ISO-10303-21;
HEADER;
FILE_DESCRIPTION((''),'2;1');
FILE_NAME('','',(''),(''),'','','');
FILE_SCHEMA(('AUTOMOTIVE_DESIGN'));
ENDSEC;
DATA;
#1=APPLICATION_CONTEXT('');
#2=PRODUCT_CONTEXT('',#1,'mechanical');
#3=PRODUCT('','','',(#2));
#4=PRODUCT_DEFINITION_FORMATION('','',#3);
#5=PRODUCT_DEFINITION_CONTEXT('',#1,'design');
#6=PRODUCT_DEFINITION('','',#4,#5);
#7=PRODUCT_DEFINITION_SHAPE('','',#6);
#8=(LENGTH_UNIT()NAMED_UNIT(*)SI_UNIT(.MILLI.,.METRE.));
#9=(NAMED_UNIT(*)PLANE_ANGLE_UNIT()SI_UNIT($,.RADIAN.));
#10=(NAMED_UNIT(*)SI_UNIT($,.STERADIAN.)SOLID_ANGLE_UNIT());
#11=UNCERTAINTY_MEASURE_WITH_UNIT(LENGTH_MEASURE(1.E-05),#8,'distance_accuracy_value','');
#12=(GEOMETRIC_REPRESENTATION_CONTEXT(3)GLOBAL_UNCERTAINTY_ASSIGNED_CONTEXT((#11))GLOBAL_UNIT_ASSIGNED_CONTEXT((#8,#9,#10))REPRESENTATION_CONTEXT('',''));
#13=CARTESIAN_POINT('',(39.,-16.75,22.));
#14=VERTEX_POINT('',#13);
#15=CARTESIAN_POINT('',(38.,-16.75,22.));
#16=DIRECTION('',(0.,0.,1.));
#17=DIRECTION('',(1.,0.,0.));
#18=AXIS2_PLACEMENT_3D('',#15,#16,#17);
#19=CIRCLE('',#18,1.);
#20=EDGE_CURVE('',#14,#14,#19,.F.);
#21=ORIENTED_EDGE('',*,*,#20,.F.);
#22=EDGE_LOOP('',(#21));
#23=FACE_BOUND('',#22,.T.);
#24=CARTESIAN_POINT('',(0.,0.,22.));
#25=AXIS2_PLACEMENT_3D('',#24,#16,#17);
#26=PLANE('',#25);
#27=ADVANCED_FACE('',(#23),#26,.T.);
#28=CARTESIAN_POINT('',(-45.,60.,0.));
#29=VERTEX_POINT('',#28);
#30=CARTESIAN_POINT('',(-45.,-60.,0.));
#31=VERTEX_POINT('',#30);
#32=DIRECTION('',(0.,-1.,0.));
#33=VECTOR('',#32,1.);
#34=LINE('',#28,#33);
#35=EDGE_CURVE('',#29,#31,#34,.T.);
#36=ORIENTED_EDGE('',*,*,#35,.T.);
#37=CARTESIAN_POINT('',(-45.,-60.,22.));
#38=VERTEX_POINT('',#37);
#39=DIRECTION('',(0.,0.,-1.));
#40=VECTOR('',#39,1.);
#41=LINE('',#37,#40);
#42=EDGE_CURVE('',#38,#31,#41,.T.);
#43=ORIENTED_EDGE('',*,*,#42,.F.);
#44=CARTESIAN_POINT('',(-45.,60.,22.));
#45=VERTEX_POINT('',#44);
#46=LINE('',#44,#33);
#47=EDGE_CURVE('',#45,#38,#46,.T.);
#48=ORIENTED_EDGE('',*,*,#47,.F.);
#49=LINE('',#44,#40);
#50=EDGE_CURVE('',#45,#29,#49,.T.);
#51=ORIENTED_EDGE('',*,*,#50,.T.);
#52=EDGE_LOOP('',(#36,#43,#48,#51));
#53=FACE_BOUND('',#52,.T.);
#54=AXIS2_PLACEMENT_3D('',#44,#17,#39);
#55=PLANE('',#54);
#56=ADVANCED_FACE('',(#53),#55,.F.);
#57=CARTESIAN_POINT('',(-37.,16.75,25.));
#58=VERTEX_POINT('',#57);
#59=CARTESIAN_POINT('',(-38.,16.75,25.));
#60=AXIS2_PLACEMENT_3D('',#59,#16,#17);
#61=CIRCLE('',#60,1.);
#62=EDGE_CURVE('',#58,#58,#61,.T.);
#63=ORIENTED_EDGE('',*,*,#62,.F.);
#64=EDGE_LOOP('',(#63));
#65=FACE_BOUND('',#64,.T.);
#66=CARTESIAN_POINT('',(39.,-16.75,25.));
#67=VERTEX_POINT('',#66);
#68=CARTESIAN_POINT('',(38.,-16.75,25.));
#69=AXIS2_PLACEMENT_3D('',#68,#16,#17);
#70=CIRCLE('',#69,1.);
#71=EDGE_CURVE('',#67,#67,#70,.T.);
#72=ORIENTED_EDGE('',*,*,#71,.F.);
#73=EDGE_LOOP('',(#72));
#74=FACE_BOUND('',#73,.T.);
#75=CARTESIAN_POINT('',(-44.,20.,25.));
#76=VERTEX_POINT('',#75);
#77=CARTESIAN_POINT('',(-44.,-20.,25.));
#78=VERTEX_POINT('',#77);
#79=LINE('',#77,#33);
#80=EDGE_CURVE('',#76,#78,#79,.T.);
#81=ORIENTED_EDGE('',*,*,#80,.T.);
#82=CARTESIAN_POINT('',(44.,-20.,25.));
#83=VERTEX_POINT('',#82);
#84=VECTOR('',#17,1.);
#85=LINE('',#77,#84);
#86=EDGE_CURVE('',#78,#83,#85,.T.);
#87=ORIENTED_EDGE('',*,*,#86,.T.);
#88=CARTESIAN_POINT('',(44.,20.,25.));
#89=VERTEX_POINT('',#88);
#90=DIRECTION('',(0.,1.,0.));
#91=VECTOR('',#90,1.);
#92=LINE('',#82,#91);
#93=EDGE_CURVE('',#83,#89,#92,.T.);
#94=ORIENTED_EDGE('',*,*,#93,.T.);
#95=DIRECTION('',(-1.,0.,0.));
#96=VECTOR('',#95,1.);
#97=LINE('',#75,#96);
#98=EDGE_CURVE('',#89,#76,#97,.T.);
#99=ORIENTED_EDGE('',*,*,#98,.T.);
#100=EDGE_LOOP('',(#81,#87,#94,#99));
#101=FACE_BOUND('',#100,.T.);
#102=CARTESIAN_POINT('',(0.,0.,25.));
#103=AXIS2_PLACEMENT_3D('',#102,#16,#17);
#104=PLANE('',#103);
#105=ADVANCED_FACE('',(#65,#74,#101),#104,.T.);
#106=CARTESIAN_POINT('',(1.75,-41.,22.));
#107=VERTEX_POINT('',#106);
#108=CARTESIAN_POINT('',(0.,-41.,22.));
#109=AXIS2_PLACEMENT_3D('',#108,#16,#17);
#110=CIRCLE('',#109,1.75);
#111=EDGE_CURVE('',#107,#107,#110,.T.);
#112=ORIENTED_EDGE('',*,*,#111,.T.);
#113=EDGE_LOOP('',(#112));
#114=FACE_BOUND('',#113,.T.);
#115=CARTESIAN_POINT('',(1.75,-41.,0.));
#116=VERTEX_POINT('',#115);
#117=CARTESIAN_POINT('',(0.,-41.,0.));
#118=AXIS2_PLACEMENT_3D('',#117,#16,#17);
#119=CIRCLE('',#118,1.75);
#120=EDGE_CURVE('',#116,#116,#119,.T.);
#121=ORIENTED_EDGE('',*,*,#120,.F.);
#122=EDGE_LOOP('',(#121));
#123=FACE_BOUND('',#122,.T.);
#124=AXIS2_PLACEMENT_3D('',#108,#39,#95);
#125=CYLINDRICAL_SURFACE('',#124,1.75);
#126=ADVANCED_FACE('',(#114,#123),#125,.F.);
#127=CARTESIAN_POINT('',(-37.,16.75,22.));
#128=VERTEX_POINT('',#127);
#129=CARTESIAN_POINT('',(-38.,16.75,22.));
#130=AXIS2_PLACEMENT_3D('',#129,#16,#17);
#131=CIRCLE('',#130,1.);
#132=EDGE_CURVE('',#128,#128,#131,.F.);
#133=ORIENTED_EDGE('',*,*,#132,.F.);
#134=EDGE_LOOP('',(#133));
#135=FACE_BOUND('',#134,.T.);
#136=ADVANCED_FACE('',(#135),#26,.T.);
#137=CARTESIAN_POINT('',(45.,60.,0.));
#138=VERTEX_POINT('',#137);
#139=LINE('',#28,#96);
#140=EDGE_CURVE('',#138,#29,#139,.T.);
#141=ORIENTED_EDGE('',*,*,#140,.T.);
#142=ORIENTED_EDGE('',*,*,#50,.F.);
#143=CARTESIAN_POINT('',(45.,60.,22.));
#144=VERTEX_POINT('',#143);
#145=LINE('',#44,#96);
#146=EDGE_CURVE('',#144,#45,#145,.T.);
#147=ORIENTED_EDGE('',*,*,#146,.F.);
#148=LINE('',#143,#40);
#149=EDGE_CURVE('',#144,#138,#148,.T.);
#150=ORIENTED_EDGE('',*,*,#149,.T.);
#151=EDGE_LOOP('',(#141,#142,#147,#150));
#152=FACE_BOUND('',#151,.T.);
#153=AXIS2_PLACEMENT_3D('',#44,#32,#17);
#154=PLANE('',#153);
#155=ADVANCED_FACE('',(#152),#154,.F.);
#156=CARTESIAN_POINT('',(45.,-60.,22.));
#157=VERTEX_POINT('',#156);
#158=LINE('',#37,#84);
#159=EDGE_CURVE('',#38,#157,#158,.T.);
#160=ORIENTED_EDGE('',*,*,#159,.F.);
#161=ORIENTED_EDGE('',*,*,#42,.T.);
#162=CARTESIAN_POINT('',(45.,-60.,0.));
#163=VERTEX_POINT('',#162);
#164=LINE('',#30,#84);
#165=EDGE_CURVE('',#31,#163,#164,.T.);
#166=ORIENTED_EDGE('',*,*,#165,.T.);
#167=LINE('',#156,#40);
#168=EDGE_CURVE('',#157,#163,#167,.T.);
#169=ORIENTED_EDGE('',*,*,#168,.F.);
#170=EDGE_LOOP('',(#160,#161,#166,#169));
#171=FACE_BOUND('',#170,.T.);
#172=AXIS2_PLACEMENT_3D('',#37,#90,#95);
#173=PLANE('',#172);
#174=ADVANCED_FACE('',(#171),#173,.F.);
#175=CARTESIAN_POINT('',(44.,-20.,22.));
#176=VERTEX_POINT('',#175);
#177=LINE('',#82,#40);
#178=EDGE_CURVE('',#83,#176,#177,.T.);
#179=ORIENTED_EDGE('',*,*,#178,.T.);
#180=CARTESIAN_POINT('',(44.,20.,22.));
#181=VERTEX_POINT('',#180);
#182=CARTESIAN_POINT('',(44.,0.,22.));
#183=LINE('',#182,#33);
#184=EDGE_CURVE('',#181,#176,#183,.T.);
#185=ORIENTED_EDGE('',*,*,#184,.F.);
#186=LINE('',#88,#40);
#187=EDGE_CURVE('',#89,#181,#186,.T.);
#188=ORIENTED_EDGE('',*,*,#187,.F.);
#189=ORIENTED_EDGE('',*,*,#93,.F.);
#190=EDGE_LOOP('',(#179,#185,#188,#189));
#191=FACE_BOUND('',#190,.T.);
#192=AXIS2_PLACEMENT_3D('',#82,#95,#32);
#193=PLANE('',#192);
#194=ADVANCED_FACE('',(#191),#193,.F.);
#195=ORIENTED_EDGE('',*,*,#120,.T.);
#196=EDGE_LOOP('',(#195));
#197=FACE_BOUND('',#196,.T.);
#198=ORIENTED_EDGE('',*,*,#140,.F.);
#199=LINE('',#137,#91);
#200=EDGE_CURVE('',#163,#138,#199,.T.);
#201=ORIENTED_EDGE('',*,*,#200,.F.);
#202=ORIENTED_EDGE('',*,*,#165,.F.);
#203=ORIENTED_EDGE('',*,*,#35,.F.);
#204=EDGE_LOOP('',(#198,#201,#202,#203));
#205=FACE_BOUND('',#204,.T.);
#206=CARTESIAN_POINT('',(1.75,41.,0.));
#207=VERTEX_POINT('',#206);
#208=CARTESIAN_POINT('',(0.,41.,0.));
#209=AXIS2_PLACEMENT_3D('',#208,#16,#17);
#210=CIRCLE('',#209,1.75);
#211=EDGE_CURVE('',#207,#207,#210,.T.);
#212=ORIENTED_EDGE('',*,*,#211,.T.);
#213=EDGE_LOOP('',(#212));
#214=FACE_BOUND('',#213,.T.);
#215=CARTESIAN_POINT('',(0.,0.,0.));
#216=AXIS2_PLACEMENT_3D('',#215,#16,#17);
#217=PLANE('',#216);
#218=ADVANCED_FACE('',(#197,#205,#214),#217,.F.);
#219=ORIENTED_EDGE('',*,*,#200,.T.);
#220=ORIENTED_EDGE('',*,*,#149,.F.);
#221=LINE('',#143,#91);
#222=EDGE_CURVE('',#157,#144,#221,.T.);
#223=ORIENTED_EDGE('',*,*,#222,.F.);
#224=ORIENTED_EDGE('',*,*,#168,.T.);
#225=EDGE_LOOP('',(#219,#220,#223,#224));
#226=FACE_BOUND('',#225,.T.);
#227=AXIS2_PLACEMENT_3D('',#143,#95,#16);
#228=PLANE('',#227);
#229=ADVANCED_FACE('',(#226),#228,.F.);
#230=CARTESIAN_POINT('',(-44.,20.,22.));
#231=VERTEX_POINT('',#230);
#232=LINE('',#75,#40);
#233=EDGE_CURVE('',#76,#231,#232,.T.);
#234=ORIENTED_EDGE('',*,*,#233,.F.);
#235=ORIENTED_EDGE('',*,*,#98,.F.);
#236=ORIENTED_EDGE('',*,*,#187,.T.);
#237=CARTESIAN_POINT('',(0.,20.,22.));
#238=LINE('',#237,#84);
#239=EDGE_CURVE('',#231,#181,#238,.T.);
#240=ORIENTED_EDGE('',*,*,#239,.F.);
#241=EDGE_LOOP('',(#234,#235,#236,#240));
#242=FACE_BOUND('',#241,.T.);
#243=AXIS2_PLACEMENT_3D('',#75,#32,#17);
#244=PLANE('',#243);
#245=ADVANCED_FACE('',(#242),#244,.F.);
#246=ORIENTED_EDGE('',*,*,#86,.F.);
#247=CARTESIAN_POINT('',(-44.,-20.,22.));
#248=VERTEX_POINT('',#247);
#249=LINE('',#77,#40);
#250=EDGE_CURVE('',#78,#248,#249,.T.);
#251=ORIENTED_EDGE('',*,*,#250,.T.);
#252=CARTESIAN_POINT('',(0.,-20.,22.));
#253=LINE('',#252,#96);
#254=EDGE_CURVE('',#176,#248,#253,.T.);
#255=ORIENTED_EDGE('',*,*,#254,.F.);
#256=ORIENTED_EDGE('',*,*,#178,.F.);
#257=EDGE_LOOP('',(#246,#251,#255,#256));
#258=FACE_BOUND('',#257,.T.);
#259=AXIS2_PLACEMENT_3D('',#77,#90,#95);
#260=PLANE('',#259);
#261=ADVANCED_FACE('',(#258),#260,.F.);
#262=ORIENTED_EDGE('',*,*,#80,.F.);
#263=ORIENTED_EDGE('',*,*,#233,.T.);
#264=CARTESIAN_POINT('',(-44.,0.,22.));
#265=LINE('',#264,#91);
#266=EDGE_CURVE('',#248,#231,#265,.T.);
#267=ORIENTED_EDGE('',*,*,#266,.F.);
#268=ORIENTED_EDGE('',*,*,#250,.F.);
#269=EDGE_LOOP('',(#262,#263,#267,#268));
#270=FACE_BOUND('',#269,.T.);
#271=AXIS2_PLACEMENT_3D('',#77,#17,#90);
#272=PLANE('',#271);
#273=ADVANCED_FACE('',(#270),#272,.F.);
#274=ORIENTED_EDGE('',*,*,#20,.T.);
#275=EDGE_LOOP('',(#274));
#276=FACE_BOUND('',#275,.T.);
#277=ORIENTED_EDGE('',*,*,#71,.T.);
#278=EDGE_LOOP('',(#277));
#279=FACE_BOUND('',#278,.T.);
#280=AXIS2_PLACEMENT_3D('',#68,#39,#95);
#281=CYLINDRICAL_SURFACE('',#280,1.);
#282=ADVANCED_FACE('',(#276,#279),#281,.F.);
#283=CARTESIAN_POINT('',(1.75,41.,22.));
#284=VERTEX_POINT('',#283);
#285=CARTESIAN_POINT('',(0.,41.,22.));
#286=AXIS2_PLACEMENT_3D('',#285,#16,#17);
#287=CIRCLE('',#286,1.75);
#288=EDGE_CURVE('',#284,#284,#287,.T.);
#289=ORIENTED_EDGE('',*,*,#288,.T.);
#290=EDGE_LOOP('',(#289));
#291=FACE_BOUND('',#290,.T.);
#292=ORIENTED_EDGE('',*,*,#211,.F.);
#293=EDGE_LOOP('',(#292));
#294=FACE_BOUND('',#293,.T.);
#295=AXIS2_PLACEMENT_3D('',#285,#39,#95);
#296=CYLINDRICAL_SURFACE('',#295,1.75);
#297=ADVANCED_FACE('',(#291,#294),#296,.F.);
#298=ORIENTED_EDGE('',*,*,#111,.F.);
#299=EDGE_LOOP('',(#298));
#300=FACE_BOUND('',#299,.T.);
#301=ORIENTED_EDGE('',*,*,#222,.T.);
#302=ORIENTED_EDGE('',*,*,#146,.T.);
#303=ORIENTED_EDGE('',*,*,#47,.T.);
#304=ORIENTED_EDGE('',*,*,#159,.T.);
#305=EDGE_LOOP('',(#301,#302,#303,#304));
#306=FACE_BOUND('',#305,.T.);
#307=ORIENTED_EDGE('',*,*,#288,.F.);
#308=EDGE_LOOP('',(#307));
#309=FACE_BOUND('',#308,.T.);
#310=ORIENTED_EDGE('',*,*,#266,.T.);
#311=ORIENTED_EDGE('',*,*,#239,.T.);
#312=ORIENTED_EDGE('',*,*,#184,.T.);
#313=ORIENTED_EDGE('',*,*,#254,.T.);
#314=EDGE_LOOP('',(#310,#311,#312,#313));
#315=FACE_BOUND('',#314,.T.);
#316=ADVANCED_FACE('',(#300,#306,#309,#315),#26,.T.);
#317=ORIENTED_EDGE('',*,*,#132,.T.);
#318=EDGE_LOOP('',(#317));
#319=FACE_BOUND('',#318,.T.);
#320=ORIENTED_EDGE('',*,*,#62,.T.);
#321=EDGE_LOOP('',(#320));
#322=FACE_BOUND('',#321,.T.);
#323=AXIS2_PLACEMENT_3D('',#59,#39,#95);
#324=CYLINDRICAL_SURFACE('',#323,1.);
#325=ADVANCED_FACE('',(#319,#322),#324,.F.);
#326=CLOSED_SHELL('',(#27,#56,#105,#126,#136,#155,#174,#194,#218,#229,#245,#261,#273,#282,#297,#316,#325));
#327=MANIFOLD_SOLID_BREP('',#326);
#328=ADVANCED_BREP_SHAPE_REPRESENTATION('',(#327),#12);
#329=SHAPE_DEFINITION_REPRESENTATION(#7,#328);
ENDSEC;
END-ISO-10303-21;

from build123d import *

# Parameters (mm, degrees)
SKETCH1_W           = 90
SKETCH1_H           = 120
SKETCH1_R           = 1.75
BOSS_EXTRUDE1_DEPTH = 22
SKETCH3_W           = 88
SKETCH3_H           = 40
SKETCH3_R           = 1
BOSS_EXTRUDE2_DEPTH = 25


with BuildPart() as part:
    # Sketch1 → Boss-Extrude1 (new body)
    with BuildSketch(Plane.XY):
        Rectangle(SKETCH1_W, SKETCH1_H)
        with Locations((0, 41)):
            Circle(SKETCH1_R, mode=Mode.SUBTRACT)
        with Locations((0, -41)):
            Circle(SKETCH1_R, mode=Mode.SUBTRACT)
    extrude(amount=BOSS_EXTRUDE1_DEPTH)

    # Sketch3 → Boss-Extrude2 (add)
    with BuildSketch(Plane.XY):
        Rectangle(SKETCH3_W, SKETCH3_H)
        with Locations((-38, 16.75)):
            Circle(SKETCH3_R, mode=Mode.SUBTRACT)
        with Locations((38, -16.75)):
            Circle(SKETCH3_R, mode=Mode.SUBTRACT)
    extrude(amount=BOSS_EXTRUDE2_DEPTH)


solid = part.part
